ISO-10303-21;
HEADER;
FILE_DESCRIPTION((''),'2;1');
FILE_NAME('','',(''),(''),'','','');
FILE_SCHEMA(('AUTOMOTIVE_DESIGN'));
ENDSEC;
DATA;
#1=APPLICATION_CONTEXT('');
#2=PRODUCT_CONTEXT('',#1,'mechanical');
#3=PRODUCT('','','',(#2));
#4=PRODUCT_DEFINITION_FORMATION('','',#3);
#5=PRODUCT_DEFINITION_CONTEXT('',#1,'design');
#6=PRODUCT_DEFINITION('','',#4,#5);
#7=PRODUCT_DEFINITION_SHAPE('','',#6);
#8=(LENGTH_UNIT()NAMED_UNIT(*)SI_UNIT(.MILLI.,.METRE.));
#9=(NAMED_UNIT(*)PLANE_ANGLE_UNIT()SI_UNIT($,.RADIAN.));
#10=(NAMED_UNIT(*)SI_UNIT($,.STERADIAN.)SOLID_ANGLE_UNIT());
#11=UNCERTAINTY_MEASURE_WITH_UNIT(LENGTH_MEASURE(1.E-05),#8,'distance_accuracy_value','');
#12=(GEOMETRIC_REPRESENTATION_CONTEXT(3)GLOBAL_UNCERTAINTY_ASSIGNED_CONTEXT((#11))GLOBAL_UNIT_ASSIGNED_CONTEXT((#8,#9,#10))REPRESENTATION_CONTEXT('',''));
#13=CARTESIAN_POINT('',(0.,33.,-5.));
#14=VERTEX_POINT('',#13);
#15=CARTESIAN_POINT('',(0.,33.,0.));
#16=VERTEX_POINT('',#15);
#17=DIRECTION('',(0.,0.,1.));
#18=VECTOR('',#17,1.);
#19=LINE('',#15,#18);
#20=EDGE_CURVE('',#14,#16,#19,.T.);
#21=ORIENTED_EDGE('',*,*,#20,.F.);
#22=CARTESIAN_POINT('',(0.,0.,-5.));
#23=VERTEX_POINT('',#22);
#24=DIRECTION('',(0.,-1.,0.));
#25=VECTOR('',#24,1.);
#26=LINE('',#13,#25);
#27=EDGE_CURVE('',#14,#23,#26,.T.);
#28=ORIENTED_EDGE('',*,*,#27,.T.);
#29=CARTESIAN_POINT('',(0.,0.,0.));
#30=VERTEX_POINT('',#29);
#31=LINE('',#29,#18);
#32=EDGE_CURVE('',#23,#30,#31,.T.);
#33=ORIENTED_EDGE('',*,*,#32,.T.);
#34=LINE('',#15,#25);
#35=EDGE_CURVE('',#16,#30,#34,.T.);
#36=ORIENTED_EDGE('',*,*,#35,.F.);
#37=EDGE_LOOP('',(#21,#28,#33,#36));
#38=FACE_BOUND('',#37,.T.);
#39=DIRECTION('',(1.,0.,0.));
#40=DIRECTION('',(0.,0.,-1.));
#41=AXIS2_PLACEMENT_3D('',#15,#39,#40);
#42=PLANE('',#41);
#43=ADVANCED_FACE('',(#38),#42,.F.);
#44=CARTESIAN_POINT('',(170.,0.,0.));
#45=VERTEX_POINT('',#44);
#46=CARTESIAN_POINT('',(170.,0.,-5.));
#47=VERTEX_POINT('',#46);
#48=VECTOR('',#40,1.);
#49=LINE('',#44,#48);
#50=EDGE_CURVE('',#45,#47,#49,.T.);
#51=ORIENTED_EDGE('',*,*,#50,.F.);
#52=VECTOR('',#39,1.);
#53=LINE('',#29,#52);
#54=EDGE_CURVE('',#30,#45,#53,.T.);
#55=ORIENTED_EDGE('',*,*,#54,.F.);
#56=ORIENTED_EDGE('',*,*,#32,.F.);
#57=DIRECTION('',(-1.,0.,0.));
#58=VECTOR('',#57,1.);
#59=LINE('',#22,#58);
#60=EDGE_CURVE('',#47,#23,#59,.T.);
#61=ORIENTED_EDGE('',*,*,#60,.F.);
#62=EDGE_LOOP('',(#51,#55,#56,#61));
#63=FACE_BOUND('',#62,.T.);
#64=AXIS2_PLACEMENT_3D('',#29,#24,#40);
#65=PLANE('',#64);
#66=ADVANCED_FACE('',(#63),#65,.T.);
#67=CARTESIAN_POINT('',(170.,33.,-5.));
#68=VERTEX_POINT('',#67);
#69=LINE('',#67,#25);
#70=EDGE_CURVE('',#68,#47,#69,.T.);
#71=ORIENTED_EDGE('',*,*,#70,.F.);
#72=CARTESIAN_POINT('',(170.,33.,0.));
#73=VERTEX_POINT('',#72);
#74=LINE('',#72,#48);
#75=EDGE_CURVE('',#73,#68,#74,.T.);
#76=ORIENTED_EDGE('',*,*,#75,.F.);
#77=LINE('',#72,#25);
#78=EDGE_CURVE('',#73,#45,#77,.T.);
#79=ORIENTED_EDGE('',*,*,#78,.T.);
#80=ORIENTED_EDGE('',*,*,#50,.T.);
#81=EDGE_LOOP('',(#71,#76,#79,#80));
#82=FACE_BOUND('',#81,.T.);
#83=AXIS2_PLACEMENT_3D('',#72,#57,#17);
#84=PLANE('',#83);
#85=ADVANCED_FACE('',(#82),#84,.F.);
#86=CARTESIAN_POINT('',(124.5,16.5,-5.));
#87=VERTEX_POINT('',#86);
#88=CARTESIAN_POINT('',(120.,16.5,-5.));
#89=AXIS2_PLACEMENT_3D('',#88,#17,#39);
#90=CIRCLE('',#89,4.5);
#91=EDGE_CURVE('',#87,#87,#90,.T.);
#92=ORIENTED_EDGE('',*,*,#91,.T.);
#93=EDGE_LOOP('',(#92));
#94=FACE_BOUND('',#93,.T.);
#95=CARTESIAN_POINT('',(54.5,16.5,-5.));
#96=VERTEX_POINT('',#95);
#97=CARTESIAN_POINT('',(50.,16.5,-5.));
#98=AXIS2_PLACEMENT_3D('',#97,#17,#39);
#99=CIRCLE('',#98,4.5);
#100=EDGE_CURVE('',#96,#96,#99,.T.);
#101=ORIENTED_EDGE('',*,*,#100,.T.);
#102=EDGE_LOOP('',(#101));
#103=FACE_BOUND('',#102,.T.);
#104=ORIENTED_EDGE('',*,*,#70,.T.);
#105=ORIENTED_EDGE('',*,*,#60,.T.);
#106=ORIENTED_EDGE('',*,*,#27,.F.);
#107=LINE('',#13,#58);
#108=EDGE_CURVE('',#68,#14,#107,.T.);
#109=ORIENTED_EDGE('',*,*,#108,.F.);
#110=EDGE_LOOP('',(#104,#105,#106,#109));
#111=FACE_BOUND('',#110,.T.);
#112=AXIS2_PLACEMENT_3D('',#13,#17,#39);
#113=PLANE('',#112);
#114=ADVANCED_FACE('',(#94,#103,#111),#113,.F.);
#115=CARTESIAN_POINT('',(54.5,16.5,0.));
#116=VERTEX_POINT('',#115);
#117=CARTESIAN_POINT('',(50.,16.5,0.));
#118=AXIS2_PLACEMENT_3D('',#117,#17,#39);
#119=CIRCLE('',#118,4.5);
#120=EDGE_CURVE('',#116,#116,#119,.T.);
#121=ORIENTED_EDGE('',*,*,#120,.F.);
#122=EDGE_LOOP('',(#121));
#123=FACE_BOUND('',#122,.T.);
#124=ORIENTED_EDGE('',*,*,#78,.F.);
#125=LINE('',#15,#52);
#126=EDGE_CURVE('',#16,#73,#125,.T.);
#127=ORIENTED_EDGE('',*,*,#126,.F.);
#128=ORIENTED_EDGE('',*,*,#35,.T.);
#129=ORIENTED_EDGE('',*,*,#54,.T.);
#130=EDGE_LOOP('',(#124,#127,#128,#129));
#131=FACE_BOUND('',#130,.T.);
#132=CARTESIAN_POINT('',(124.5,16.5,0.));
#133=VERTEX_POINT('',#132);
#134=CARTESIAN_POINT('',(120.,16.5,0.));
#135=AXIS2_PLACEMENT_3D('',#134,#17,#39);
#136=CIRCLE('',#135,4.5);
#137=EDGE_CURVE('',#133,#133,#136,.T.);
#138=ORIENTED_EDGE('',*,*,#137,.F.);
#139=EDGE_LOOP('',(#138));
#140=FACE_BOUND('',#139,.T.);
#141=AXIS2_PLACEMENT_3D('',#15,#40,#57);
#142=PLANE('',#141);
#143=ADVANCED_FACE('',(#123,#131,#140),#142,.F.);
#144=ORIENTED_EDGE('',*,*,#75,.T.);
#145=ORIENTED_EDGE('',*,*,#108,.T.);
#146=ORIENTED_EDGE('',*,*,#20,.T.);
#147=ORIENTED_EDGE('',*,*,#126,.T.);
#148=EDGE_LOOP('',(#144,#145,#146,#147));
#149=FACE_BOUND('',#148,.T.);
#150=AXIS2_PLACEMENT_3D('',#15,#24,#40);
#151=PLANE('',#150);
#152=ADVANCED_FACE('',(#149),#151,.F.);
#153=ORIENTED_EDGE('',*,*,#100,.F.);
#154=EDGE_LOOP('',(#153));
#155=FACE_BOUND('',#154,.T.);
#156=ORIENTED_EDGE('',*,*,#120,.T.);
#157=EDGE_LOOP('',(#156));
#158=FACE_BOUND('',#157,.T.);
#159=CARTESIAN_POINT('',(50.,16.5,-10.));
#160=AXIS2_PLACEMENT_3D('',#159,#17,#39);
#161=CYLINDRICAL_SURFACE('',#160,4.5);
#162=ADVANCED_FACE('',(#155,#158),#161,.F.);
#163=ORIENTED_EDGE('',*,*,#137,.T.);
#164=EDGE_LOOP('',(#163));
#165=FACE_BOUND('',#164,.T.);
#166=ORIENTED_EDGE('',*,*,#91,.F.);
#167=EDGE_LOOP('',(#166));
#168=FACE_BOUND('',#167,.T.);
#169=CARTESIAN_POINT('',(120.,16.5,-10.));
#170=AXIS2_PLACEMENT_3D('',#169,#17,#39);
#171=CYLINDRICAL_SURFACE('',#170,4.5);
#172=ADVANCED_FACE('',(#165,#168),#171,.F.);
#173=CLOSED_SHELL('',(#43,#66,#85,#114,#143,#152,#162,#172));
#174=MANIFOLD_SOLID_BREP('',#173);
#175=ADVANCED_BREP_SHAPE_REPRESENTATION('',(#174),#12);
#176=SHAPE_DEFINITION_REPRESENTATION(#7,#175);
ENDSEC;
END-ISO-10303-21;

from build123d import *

# Parameters (mm, degrees)
SKETCH1_W           = 170
SKETCH1_H           = 5
BOSS_EXTRUDE1_DEPTH = 33
SKETCH2_R           = 4.5
CUT_EXTRUDE1_DEPTH  = 10


with BuildPart() as part:
    # Sketch1 → Boss-Extrude1 (new body)
    with BuildSketch(Plane(origin=(0, 0, 0), x_dir=(1, 0, 0), z_dir=(0, 1, 0))):
        with Locations((85, 2.5)):
            Rectangle(SKETCH1_W, SKETCH1_H)
    extrude(amount=BOSS_EXTRUDE1_DEPTH)

    # Sketch2 → Cut-Extrude1 (cut)
    with BuildSketch(Plane.XY):
        with Locations((50, 16.5)):
            Circle(SKETCH2_R)
        with Locations((120, 16.5)):
            Circle(SKETCH2_R)
    extrude(amount=-CUT_EXTRUDE1_DEPTH, mode=Mode.SUBTRACT)


solid = part.part
